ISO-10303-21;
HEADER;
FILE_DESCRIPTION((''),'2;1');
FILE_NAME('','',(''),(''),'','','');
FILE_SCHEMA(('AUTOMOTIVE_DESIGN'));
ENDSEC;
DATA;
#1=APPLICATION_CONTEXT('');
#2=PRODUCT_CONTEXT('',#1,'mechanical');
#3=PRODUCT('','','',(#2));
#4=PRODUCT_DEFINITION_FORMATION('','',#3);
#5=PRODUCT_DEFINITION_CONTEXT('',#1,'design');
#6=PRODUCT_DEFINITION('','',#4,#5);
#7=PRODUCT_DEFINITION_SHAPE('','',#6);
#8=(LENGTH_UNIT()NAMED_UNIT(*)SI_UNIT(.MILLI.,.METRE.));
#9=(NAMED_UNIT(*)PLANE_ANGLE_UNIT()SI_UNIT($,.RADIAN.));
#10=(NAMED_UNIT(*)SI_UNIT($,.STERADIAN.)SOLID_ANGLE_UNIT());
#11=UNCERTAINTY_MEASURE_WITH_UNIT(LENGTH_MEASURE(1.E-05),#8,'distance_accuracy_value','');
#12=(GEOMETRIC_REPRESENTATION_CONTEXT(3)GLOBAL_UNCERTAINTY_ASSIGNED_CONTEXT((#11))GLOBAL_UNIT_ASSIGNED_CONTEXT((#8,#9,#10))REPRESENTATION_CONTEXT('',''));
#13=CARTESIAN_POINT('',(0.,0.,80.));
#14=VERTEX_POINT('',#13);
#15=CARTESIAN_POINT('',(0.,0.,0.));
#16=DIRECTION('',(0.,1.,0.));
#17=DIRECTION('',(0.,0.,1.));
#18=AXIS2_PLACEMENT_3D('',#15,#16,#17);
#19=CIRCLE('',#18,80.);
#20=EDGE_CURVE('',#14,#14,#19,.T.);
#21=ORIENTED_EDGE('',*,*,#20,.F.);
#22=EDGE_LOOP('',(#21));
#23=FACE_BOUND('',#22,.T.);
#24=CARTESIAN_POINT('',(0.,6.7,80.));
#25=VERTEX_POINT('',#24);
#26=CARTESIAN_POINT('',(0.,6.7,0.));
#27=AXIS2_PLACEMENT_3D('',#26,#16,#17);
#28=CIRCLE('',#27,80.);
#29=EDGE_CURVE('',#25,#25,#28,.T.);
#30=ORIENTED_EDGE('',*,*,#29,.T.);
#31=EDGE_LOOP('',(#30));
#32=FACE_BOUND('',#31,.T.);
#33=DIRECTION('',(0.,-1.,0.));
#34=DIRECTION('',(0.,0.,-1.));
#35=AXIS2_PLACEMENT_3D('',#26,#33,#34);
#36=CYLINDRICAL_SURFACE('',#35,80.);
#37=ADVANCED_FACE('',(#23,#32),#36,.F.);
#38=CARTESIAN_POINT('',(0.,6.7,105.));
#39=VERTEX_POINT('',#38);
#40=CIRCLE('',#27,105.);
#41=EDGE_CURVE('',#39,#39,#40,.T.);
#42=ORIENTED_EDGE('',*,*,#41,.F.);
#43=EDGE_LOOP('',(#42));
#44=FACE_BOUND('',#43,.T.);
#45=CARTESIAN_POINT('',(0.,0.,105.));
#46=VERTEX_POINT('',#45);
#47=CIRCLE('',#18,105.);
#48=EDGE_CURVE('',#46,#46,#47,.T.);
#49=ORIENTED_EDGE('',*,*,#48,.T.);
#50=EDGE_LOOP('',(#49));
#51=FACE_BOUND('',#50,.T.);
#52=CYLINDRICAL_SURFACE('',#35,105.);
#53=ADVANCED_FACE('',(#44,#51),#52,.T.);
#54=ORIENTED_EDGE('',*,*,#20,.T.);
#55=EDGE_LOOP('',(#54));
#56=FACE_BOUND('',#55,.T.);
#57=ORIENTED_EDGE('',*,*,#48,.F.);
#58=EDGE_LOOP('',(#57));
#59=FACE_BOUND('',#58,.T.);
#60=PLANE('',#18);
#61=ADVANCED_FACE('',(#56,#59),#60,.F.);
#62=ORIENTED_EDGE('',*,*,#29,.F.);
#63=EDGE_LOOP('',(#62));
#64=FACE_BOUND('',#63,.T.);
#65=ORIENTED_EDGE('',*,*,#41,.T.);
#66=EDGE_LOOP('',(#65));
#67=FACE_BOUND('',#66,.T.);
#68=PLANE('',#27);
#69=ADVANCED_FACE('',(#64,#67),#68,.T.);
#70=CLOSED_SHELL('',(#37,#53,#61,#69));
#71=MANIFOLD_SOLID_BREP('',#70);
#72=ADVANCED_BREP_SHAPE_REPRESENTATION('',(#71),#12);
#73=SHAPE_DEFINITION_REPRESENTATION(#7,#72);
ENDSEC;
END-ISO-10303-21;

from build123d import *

# Parameters (mm, degrees)
SKETCH1_R           = 105
SKETCH1_R_2         = 80
BOSS_EXTRUDE1_DEPTH = 6.7


with BuildPart() as part:
    # Sketch1 → Boss-Extrude1 (new body)
    with BuildSketch(Plane(origin=(0, 0, 0), x_dir=(1, 0, 0), z_dir=(0, 1, 0))):
        with Locations(Location((0, 0, 0), (0, 0, 270))):
            Circle(SKETCH1_R)
        with Locations(Location((0, 0, 0), (0, 0, 270))):
            Circle(SKETCH1_R_2, mode=Mode.SUBTRACT)
    extrude(amount=BOSS_EXTRUDE1_DEPTH)


solid = part.part
